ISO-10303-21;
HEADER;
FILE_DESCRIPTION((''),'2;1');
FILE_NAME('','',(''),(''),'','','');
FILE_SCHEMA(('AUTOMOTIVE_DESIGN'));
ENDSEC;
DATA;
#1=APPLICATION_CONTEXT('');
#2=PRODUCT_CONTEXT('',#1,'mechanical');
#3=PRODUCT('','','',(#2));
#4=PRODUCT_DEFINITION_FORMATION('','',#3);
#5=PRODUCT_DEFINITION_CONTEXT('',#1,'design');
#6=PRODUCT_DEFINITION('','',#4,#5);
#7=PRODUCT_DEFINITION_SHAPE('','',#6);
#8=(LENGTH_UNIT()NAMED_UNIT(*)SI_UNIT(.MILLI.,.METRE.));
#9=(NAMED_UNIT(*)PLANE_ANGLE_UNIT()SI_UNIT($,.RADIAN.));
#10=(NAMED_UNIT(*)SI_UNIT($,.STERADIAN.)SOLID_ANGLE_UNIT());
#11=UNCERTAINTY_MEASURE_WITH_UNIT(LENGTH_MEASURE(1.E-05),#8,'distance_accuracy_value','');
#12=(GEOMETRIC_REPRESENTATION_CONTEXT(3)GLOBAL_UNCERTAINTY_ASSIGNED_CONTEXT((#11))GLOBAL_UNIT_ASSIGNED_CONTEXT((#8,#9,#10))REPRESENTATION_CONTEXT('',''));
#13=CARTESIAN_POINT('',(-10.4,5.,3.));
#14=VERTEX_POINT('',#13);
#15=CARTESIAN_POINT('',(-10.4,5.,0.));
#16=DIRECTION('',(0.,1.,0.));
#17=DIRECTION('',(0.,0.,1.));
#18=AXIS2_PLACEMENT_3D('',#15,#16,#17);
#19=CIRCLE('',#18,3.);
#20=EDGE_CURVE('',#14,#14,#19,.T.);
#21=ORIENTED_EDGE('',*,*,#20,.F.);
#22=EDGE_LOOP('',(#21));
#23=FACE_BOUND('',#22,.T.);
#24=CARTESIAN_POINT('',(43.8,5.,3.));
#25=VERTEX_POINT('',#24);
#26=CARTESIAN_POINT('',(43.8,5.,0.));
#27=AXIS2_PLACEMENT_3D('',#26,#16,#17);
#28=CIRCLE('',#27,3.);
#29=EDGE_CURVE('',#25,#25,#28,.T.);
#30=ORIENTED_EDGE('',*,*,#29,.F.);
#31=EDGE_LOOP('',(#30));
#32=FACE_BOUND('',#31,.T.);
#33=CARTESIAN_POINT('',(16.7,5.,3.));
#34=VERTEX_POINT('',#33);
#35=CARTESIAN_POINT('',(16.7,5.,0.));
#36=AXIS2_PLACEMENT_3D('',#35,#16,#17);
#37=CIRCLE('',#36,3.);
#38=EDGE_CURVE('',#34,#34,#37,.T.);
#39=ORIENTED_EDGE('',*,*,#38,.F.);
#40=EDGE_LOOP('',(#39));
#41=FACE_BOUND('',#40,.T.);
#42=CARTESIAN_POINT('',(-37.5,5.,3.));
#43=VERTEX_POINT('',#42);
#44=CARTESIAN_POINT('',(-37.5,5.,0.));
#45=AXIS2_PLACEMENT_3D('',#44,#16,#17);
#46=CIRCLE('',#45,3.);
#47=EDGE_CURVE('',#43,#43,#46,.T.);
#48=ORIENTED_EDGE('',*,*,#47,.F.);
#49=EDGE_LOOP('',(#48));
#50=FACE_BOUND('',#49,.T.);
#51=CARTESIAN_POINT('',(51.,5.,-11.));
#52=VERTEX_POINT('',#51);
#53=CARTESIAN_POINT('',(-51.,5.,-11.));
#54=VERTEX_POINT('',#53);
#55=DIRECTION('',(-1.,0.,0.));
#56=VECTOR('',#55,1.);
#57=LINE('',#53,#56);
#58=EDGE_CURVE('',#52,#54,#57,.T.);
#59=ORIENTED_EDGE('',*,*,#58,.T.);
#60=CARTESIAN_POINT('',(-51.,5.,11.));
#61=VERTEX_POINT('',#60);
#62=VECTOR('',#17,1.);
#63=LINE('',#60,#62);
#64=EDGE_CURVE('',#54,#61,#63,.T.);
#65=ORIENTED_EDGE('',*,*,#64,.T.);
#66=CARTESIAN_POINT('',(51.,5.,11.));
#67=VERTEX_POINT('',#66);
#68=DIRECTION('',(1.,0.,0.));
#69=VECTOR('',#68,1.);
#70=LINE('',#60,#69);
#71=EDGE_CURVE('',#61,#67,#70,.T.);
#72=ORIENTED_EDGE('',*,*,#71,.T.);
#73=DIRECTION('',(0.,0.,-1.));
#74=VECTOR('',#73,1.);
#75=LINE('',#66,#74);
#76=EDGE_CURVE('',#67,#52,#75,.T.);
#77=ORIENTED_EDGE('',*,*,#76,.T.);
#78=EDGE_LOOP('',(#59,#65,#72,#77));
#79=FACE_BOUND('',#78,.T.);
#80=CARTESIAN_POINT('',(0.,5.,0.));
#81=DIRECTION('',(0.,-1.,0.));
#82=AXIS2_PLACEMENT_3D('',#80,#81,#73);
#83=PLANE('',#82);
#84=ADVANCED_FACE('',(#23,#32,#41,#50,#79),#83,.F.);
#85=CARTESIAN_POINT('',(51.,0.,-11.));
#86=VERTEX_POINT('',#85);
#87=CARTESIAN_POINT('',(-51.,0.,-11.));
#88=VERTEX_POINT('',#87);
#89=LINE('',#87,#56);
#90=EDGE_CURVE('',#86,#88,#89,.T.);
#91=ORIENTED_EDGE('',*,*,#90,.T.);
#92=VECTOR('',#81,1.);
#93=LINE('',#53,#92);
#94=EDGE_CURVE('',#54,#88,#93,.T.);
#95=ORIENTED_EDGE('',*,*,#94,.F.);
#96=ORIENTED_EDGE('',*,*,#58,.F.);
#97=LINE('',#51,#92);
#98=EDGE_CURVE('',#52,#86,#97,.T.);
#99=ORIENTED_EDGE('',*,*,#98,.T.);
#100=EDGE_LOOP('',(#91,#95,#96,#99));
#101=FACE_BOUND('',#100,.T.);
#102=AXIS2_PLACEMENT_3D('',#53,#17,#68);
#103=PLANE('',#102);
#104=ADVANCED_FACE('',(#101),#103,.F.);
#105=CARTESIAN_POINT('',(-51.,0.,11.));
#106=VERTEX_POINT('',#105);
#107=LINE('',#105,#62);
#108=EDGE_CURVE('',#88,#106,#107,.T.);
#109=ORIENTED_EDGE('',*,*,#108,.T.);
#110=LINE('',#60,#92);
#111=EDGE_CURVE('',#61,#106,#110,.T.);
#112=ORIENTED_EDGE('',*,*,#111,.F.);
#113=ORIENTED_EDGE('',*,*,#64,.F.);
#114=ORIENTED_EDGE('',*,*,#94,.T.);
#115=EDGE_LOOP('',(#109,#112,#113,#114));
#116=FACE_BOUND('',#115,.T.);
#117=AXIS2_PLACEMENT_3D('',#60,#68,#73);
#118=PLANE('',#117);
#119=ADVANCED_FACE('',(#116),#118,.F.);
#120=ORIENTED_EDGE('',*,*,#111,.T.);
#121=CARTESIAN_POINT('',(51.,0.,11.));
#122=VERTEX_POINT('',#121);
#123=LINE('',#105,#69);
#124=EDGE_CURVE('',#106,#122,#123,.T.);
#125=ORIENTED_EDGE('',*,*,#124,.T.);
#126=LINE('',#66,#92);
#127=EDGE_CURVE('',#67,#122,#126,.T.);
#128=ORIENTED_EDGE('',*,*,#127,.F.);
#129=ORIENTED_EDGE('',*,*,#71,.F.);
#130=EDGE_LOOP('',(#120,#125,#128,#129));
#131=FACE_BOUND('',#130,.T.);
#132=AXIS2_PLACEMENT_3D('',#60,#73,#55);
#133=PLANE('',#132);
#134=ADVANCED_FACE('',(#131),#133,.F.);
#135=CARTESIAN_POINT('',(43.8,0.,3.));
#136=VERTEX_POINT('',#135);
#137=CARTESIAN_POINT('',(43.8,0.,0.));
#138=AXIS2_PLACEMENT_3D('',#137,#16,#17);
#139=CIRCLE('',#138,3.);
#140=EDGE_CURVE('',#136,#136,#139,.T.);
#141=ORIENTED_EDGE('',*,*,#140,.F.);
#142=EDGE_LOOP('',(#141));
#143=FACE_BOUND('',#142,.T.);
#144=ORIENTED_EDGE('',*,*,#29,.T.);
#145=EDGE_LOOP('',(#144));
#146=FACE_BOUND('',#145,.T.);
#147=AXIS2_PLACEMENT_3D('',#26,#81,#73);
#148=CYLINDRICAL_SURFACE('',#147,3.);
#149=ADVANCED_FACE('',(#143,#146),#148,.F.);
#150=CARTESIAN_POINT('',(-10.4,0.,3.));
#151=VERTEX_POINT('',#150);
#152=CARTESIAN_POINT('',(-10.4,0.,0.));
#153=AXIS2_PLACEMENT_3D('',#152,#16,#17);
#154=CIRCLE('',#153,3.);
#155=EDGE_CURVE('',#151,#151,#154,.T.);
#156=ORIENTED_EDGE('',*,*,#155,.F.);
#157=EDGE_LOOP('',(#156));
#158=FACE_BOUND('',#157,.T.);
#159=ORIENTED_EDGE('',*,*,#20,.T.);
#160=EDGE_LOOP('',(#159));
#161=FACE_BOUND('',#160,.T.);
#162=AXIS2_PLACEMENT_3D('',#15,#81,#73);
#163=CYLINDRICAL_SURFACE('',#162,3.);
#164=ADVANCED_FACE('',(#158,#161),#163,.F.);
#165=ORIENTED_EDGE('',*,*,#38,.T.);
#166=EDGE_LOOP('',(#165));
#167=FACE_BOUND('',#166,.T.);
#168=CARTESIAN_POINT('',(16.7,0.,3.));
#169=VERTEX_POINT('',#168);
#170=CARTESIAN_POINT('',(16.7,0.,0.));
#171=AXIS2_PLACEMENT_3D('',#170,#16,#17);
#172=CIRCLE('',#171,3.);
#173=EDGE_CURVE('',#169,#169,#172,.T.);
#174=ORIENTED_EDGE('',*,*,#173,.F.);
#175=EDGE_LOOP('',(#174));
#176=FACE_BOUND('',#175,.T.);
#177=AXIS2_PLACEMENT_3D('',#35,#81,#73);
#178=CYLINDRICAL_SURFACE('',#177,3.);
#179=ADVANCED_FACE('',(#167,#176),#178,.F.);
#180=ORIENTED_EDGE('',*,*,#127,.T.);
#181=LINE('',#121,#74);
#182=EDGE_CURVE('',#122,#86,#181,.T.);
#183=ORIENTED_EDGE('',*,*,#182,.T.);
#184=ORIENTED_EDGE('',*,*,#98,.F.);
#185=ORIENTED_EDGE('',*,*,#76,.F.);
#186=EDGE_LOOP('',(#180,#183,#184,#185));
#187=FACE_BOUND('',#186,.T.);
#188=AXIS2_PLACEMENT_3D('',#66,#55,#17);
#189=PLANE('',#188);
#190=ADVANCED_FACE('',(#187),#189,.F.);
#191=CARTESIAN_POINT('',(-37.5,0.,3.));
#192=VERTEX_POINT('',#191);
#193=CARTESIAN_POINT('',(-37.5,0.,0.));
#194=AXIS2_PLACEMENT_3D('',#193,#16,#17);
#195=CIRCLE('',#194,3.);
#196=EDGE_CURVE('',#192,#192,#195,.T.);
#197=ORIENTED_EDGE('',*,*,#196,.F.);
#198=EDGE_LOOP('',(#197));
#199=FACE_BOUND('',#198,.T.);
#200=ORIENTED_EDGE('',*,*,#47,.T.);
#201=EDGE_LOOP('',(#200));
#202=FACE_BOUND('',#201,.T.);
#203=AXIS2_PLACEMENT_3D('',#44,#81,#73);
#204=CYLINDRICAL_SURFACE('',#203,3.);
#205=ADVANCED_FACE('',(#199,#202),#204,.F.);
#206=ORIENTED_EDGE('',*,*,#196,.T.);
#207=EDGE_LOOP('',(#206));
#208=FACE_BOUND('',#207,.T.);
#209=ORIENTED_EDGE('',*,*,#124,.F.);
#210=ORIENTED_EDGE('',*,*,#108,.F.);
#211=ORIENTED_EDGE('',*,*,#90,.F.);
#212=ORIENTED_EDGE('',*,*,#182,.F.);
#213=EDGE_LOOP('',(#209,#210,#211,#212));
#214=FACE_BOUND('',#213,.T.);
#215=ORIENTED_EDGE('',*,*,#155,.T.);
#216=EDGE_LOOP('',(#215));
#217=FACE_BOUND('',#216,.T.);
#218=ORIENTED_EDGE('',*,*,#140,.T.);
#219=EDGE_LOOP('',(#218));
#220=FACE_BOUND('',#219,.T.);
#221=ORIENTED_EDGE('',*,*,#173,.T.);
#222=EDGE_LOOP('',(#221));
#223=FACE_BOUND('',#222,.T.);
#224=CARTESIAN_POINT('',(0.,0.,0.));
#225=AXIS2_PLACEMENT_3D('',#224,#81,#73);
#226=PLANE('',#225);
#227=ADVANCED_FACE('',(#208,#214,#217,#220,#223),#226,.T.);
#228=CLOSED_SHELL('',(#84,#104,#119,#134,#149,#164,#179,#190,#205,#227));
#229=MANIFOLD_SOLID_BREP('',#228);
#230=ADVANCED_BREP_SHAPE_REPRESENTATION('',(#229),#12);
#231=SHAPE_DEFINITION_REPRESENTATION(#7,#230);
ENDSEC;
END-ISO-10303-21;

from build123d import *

# Parameters (mm, degrees)
SKETCH1_W           = 102
SKETCH1_H           = 22
SKETCH1_R           = 3
BOSS_EXTRUDE1_DEPTH = 5


with BuildPart() as part:
    # Sketch1 → Boss-Extrude1 (new body)
    with BuildSketch(Plane(origin=(0, 0, 0), x_dir=(1, 0, 0), z_dir=(0, 1, 0))):
        Rectangle(SKETCH1_W, SKETCH1_H)
        with Locations((-37.5, 0)):
            Circle(SKETCH1_R, mode=Mode.SUBTRACT)
        with Locations((-10.4, 0)):
            Circle(SKETCH1_R, mode=Mode.SUBTRACT)
        with Locations((16.7, 0)):
            Circle(SKETCH1_R, mode=Mode.SUBTRACT)
        with Locations((43.8, 0)):
            Circle(SKETCH1_R, mode=Mode.SUBTRACT)
    extrude(amount=BOSS_EXTRUDE1_DEPTH)


solid = part.part
